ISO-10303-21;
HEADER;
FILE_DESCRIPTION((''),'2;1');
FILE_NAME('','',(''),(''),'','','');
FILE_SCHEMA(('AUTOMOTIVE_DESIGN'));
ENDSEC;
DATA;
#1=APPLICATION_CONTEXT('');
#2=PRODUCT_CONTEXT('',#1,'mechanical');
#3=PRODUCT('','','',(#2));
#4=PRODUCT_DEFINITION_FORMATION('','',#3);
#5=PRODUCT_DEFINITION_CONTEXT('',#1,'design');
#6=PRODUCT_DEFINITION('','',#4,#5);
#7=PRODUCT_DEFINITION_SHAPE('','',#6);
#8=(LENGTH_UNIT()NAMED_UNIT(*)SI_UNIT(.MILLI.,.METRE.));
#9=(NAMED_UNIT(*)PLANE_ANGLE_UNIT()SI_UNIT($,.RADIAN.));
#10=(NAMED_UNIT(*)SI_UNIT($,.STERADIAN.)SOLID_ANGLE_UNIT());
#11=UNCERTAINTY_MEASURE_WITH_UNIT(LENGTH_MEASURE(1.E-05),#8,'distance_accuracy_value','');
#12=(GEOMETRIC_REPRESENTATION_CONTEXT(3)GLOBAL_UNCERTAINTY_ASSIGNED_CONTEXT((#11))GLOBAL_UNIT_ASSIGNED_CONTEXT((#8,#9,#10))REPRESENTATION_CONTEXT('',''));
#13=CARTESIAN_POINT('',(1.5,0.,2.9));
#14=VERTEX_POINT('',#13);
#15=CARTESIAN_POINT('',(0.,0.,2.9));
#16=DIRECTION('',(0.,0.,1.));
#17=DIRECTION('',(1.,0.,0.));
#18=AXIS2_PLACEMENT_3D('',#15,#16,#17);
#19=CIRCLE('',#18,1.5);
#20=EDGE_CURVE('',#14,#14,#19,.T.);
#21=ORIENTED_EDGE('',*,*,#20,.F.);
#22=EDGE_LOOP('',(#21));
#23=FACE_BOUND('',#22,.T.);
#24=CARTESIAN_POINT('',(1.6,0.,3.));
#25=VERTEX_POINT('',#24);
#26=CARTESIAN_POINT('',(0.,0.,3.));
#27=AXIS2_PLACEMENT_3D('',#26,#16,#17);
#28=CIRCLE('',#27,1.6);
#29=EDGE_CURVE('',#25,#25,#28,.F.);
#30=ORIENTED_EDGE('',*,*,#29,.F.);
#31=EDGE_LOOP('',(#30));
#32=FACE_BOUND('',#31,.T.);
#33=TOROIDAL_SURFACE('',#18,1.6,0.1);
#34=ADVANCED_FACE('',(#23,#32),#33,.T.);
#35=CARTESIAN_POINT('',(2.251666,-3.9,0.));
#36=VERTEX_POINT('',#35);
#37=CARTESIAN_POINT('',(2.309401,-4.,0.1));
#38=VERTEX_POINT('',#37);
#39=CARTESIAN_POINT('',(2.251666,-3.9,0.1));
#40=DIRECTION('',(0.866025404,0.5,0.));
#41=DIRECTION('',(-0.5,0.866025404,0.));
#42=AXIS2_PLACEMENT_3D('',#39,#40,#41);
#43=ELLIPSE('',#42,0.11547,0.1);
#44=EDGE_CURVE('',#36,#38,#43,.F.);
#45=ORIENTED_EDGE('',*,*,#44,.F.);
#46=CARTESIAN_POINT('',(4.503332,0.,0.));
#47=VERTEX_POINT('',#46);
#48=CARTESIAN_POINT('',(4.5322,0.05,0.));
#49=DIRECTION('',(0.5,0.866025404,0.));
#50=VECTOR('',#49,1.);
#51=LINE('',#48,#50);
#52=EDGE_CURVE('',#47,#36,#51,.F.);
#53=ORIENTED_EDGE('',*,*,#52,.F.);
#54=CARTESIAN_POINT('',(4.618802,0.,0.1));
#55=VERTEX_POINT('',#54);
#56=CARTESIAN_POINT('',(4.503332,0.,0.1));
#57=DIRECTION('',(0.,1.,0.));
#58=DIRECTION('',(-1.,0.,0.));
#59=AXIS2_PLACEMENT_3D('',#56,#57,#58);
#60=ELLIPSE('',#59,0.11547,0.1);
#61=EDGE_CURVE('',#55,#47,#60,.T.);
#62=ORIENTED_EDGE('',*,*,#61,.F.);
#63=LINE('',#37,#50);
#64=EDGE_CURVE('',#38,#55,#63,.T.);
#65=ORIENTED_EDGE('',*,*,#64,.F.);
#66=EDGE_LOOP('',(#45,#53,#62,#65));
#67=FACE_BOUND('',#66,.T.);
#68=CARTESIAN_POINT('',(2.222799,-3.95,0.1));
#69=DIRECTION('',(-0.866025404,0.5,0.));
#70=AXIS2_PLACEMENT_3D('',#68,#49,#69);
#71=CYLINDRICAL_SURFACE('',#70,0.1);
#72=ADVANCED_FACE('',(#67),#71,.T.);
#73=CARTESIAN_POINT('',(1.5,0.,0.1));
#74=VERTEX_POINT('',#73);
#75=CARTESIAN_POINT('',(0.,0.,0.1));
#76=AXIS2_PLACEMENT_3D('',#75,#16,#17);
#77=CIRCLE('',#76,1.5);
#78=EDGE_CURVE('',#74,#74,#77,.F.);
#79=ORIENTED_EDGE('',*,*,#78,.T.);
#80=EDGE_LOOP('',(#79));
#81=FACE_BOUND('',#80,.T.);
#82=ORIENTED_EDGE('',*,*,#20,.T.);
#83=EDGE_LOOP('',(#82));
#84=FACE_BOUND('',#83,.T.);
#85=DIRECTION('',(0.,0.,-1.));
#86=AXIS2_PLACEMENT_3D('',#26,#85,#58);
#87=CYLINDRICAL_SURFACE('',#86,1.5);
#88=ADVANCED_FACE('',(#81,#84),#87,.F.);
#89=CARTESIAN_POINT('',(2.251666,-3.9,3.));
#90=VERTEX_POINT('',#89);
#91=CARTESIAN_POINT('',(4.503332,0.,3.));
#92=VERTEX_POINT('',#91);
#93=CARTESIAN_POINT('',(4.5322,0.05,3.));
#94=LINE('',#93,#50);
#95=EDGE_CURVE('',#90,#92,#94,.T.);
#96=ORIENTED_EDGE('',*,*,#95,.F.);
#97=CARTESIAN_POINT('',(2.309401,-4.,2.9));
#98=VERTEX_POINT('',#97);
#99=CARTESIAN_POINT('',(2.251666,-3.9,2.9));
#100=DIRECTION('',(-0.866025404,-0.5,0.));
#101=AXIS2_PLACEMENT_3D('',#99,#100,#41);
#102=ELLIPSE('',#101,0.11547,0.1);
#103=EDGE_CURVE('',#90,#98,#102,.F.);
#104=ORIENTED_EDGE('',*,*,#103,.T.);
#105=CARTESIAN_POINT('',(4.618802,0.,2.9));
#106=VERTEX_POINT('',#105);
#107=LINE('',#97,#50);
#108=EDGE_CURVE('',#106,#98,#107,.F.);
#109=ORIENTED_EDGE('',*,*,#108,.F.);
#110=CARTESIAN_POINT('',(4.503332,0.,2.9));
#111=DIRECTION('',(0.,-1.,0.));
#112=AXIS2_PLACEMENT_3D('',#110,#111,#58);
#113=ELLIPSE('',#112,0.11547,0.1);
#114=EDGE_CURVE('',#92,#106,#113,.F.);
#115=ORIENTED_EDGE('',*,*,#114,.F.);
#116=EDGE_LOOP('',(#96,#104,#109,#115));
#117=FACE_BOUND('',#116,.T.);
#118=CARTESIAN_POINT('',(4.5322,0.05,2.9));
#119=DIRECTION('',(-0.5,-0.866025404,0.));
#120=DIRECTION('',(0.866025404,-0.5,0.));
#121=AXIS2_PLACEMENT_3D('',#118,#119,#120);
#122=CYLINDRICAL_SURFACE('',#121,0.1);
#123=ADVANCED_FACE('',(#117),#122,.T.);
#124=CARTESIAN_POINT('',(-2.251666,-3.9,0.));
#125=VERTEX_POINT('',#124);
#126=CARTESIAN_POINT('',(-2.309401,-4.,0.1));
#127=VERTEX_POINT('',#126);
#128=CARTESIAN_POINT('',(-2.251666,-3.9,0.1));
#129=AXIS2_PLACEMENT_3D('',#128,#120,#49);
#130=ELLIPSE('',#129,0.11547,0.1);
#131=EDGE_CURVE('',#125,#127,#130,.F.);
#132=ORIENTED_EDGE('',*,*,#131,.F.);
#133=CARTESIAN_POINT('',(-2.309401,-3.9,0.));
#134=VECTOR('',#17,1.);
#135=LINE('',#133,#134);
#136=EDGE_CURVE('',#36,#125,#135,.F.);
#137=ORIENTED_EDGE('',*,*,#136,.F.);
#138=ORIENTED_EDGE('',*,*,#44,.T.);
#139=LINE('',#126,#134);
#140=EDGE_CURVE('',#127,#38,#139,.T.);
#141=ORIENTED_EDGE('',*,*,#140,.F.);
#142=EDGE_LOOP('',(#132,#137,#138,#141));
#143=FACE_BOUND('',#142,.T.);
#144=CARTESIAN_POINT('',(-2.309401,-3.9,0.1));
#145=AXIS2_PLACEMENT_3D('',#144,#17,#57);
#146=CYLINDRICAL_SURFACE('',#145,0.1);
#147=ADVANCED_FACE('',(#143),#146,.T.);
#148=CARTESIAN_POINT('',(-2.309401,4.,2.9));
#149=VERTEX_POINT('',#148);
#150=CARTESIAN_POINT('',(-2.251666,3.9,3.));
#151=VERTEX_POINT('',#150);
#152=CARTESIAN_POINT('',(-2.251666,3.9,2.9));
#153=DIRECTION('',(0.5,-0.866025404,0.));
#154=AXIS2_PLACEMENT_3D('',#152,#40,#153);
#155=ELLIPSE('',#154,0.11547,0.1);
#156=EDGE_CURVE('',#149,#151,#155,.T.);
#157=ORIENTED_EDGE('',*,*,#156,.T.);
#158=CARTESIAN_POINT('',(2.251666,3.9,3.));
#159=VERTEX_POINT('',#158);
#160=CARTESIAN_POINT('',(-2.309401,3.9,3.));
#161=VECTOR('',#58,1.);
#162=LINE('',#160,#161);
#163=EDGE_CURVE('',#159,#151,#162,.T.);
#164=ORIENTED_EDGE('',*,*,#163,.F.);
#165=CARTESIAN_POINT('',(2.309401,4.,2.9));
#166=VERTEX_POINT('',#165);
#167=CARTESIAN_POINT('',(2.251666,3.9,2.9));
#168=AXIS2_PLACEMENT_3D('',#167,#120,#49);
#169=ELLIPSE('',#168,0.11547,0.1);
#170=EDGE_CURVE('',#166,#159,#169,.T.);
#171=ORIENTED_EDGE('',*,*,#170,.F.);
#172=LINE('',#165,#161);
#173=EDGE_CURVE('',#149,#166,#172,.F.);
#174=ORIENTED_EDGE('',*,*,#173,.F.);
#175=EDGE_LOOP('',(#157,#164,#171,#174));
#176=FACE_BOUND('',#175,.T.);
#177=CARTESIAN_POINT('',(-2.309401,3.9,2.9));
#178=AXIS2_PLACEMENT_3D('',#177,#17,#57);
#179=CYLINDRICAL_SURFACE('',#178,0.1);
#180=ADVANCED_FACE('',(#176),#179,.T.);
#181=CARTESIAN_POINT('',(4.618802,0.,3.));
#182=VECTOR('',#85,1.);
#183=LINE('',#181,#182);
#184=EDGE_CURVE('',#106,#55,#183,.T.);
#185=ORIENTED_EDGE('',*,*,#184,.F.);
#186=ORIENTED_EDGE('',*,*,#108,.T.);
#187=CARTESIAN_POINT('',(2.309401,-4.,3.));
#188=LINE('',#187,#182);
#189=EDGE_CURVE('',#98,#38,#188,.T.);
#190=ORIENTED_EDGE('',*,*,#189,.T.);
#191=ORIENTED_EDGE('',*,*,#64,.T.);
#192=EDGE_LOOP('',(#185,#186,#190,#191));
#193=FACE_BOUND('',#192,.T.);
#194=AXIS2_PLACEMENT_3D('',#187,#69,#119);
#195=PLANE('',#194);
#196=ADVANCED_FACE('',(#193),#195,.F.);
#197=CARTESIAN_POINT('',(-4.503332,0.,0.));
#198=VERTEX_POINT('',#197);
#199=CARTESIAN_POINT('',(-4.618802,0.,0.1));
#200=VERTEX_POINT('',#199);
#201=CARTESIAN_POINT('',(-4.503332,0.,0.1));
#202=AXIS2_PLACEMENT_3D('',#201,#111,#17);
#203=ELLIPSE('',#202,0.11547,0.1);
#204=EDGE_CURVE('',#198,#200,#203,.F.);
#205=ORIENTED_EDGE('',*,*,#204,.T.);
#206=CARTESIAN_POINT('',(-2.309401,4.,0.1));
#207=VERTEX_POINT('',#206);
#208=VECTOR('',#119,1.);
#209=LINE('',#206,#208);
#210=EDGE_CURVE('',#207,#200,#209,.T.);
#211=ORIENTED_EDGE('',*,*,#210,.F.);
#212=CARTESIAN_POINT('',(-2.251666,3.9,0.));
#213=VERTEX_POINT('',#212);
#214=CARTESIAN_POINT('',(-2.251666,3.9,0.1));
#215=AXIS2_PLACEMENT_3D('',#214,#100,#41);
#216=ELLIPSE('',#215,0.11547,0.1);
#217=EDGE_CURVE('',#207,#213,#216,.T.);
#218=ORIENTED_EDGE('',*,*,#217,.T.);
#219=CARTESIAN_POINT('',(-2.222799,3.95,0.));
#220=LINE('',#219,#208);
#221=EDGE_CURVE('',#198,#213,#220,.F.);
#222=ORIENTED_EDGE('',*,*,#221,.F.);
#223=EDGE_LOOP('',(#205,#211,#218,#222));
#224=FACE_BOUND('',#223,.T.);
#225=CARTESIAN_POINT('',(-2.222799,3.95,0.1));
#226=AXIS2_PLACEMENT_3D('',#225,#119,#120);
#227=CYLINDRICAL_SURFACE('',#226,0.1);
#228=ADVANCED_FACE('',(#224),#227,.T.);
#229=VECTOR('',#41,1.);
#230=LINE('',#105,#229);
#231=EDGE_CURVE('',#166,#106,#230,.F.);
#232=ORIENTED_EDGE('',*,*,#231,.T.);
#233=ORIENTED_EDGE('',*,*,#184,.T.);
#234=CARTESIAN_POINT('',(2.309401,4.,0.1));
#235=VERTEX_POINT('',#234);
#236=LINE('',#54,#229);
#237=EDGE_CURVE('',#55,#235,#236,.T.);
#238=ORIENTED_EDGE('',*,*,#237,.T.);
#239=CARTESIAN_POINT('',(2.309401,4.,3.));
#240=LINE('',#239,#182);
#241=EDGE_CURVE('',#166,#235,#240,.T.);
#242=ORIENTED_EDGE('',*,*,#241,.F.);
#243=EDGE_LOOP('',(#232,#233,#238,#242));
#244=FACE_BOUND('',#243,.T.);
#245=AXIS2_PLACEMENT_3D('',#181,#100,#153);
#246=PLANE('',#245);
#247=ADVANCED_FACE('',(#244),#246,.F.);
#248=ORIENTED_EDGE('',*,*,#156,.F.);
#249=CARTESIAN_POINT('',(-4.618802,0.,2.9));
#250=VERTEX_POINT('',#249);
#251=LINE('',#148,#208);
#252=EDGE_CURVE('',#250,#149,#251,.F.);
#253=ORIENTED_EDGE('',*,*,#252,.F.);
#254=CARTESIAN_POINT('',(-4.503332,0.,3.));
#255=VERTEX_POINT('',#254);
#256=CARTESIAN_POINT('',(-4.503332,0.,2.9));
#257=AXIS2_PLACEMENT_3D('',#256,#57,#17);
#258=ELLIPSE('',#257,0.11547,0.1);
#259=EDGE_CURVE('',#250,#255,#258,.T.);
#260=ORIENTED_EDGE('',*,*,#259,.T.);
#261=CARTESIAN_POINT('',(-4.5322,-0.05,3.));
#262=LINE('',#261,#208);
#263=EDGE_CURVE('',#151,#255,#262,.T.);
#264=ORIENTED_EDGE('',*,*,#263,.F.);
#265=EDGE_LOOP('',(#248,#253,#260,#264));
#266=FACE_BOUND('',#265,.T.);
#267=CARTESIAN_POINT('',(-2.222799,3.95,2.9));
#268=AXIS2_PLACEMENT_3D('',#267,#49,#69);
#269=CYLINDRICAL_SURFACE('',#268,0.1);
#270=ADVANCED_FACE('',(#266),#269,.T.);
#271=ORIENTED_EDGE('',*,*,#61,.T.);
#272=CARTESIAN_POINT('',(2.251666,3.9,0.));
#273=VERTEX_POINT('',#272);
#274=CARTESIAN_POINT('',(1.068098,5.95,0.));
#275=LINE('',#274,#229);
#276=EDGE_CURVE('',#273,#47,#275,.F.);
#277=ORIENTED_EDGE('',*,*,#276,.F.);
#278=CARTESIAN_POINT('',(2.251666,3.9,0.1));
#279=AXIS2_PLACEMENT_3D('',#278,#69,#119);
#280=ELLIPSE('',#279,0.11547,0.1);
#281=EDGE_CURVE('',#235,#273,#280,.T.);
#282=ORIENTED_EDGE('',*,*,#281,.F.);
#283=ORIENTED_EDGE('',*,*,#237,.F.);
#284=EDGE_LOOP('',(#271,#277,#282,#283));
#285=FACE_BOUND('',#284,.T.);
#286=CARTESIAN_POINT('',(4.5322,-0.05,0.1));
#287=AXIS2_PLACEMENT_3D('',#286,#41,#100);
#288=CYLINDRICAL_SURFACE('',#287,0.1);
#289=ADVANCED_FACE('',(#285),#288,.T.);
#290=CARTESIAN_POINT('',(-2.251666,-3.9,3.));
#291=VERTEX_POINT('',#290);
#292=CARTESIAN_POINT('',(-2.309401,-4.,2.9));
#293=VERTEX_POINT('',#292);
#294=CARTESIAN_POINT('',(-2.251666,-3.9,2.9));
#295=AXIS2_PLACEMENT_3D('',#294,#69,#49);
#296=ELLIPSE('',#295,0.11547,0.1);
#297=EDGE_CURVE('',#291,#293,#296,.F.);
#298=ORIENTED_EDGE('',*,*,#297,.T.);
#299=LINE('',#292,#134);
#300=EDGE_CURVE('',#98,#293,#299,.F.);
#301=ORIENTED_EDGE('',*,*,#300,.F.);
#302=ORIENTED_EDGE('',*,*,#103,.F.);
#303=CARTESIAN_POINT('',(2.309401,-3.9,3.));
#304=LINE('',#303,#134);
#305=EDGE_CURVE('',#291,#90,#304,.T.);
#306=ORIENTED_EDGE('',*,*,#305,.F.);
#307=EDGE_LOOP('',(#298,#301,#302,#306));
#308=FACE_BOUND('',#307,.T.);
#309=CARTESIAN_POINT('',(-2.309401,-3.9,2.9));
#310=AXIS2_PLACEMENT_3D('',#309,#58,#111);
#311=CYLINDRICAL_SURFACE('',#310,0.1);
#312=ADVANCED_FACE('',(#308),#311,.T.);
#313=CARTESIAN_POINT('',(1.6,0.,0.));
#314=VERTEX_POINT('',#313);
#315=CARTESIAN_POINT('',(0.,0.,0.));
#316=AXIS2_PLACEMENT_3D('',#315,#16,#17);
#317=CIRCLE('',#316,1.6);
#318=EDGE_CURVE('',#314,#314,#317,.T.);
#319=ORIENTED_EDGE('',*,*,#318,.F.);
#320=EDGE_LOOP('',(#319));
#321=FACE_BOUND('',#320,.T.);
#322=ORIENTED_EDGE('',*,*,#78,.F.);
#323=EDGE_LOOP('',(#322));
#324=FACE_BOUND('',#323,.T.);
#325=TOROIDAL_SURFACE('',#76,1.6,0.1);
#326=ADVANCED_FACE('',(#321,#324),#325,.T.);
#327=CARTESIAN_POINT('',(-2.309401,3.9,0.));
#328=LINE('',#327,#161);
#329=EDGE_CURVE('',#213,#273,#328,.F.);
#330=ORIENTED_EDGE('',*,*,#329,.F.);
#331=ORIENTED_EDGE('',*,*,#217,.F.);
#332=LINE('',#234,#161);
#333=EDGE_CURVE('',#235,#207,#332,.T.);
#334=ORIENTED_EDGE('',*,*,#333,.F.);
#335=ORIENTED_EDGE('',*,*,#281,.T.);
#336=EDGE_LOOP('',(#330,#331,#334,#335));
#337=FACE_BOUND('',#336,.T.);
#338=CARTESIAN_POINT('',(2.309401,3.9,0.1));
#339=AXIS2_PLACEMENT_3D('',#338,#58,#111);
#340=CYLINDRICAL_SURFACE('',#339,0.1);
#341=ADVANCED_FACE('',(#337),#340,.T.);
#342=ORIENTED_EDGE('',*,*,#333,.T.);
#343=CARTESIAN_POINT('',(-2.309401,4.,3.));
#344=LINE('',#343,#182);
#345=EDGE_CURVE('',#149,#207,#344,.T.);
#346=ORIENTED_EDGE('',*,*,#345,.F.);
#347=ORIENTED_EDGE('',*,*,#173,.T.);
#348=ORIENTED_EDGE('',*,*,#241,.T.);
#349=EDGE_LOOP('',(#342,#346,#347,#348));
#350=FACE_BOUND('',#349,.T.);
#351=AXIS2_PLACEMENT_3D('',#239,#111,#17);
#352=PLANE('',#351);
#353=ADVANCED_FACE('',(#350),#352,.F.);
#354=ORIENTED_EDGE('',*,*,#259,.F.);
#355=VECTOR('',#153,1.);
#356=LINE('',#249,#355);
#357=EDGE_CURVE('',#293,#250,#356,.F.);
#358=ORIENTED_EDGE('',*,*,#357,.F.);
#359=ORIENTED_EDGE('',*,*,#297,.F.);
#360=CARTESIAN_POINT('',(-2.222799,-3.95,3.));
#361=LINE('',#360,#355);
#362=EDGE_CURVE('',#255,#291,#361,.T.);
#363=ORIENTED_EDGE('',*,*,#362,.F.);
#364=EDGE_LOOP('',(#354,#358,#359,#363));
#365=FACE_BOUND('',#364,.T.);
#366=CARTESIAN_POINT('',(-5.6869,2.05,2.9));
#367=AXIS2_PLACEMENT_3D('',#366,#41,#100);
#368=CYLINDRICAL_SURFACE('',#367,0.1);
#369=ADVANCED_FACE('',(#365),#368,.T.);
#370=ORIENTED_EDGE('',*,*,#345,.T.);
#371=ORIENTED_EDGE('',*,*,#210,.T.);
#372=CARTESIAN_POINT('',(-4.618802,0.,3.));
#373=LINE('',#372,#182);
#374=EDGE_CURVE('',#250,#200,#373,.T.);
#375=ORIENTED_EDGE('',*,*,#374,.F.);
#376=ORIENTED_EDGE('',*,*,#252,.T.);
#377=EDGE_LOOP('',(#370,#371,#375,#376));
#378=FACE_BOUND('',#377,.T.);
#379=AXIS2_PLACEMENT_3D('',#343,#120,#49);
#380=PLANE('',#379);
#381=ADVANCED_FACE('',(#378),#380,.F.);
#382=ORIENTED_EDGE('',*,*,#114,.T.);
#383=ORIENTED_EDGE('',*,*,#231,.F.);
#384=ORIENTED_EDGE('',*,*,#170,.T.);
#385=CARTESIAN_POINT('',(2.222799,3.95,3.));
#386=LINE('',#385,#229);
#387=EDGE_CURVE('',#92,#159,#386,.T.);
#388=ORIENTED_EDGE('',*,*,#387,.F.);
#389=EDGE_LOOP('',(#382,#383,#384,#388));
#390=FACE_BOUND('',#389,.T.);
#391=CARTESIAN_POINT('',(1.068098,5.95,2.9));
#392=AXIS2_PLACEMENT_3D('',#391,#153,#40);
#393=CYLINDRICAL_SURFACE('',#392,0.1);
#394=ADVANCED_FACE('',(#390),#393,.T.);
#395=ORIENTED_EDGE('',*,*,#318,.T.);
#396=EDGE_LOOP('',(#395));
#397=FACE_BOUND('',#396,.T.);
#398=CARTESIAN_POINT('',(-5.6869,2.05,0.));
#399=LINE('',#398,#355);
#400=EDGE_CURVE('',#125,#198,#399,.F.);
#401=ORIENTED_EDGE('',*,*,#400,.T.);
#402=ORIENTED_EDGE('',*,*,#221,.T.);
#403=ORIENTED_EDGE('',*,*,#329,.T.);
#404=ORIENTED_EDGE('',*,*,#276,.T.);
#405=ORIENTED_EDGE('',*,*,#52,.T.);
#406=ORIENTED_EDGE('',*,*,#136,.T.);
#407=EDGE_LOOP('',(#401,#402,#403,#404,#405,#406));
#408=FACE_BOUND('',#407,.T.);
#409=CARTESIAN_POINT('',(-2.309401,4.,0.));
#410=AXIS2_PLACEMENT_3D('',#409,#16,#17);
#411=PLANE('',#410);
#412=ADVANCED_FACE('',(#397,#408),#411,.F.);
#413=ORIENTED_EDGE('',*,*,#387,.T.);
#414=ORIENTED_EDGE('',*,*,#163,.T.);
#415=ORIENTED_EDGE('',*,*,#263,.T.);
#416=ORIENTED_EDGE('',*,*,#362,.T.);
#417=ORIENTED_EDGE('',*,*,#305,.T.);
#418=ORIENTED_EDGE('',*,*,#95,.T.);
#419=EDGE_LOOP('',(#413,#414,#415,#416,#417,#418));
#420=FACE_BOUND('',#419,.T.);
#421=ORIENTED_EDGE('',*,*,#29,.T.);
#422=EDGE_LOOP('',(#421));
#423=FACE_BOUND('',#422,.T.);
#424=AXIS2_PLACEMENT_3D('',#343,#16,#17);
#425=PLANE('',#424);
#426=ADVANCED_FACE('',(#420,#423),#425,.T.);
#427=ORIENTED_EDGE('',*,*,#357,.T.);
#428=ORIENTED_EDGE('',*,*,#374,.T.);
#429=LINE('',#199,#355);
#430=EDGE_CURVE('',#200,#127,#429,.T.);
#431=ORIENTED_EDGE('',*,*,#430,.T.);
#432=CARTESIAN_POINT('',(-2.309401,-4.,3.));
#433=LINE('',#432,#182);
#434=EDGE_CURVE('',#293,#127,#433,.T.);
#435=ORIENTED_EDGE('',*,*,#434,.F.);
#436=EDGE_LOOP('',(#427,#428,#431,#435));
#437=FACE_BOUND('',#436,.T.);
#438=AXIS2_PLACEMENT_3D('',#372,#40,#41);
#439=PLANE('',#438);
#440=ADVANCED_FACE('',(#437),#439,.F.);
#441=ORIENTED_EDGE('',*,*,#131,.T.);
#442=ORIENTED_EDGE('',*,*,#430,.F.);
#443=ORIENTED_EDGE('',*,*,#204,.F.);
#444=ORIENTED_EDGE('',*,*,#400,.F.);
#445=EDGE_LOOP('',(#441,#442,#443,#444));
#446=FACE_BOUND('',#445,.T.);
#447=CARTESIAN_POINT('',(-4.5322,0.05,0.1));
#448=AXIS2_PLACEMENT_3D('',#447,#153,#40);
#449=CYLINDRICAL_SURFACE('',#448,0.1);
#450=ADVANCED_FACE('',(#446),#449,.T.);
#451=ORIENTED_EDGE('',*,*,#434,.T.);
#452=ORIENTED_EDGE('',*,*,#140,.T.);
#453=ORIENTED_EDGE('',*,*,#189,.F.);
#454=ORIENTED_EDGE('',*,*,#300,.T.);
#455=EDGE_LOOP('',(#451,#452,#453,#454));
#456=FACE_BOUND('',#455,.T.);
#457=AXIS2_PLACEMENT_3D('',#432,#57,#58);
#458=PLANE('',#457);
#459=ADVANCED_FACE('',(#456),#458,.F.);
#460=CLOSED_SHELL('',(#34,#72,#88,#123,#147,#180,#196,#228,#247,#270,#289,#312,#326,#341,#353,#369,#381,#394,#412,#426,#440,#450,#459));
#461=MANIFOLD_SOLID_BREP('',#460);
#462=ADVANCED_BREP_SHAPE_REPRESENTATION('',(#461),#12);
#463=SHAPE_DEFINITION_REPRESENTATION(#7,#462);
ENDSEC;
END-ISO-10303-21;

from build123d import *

# Parameters (mm, degrees)
SKIZZE1_R                       = 1.5
AUFSATZ_LINEAR_AUSTRAGEN1_DEPTH = 3
VERRUNDUNG1_R                   = 0.1


with BuildPart() as part:
    # Skizze1 → Aufsatz-Linear austragen1 (new body)
    with BuildSketch(Plane.XY):
        Polygon((-2.309401077, 4), (-4.618802154, 0), (-2.309401077, -4), (2.309401077, -4), (4.618802154, 0), (2.309401077, 4), align=None)
        Circle(SKIZZE1_R, mode=Mode.SUBTRACT)
    extrude(amount=AUFSATZ_LINEAR_AUSTRAGEN1_DEPTH)

    # Verrundung1
    verrundung1_edges = [part.edges().sort_by_distance(p)[0] for p in [
        (-3.464101615, -2, 3),
        (0, -4, 3),
        (3.464101615, -2, 3),
        (-1.5, 0, 0),
        (-1.5, 0, 3),
        (3.464101615, 2, 3),
        (0, 4, 3),
        (3.464101615, 2, 0),
        (3.464101615, -2, 0),
        (0, -4, 0),
        (-3.464101615, 2, 3),
        (-3.464101615, -2, 0),
        (-3.464101615, 2, 0),
        (0, 4, 0),
    ]]
    fillet(verrundung1_edges, radius=VERRUNDUNG1_R)


solid = part.part
